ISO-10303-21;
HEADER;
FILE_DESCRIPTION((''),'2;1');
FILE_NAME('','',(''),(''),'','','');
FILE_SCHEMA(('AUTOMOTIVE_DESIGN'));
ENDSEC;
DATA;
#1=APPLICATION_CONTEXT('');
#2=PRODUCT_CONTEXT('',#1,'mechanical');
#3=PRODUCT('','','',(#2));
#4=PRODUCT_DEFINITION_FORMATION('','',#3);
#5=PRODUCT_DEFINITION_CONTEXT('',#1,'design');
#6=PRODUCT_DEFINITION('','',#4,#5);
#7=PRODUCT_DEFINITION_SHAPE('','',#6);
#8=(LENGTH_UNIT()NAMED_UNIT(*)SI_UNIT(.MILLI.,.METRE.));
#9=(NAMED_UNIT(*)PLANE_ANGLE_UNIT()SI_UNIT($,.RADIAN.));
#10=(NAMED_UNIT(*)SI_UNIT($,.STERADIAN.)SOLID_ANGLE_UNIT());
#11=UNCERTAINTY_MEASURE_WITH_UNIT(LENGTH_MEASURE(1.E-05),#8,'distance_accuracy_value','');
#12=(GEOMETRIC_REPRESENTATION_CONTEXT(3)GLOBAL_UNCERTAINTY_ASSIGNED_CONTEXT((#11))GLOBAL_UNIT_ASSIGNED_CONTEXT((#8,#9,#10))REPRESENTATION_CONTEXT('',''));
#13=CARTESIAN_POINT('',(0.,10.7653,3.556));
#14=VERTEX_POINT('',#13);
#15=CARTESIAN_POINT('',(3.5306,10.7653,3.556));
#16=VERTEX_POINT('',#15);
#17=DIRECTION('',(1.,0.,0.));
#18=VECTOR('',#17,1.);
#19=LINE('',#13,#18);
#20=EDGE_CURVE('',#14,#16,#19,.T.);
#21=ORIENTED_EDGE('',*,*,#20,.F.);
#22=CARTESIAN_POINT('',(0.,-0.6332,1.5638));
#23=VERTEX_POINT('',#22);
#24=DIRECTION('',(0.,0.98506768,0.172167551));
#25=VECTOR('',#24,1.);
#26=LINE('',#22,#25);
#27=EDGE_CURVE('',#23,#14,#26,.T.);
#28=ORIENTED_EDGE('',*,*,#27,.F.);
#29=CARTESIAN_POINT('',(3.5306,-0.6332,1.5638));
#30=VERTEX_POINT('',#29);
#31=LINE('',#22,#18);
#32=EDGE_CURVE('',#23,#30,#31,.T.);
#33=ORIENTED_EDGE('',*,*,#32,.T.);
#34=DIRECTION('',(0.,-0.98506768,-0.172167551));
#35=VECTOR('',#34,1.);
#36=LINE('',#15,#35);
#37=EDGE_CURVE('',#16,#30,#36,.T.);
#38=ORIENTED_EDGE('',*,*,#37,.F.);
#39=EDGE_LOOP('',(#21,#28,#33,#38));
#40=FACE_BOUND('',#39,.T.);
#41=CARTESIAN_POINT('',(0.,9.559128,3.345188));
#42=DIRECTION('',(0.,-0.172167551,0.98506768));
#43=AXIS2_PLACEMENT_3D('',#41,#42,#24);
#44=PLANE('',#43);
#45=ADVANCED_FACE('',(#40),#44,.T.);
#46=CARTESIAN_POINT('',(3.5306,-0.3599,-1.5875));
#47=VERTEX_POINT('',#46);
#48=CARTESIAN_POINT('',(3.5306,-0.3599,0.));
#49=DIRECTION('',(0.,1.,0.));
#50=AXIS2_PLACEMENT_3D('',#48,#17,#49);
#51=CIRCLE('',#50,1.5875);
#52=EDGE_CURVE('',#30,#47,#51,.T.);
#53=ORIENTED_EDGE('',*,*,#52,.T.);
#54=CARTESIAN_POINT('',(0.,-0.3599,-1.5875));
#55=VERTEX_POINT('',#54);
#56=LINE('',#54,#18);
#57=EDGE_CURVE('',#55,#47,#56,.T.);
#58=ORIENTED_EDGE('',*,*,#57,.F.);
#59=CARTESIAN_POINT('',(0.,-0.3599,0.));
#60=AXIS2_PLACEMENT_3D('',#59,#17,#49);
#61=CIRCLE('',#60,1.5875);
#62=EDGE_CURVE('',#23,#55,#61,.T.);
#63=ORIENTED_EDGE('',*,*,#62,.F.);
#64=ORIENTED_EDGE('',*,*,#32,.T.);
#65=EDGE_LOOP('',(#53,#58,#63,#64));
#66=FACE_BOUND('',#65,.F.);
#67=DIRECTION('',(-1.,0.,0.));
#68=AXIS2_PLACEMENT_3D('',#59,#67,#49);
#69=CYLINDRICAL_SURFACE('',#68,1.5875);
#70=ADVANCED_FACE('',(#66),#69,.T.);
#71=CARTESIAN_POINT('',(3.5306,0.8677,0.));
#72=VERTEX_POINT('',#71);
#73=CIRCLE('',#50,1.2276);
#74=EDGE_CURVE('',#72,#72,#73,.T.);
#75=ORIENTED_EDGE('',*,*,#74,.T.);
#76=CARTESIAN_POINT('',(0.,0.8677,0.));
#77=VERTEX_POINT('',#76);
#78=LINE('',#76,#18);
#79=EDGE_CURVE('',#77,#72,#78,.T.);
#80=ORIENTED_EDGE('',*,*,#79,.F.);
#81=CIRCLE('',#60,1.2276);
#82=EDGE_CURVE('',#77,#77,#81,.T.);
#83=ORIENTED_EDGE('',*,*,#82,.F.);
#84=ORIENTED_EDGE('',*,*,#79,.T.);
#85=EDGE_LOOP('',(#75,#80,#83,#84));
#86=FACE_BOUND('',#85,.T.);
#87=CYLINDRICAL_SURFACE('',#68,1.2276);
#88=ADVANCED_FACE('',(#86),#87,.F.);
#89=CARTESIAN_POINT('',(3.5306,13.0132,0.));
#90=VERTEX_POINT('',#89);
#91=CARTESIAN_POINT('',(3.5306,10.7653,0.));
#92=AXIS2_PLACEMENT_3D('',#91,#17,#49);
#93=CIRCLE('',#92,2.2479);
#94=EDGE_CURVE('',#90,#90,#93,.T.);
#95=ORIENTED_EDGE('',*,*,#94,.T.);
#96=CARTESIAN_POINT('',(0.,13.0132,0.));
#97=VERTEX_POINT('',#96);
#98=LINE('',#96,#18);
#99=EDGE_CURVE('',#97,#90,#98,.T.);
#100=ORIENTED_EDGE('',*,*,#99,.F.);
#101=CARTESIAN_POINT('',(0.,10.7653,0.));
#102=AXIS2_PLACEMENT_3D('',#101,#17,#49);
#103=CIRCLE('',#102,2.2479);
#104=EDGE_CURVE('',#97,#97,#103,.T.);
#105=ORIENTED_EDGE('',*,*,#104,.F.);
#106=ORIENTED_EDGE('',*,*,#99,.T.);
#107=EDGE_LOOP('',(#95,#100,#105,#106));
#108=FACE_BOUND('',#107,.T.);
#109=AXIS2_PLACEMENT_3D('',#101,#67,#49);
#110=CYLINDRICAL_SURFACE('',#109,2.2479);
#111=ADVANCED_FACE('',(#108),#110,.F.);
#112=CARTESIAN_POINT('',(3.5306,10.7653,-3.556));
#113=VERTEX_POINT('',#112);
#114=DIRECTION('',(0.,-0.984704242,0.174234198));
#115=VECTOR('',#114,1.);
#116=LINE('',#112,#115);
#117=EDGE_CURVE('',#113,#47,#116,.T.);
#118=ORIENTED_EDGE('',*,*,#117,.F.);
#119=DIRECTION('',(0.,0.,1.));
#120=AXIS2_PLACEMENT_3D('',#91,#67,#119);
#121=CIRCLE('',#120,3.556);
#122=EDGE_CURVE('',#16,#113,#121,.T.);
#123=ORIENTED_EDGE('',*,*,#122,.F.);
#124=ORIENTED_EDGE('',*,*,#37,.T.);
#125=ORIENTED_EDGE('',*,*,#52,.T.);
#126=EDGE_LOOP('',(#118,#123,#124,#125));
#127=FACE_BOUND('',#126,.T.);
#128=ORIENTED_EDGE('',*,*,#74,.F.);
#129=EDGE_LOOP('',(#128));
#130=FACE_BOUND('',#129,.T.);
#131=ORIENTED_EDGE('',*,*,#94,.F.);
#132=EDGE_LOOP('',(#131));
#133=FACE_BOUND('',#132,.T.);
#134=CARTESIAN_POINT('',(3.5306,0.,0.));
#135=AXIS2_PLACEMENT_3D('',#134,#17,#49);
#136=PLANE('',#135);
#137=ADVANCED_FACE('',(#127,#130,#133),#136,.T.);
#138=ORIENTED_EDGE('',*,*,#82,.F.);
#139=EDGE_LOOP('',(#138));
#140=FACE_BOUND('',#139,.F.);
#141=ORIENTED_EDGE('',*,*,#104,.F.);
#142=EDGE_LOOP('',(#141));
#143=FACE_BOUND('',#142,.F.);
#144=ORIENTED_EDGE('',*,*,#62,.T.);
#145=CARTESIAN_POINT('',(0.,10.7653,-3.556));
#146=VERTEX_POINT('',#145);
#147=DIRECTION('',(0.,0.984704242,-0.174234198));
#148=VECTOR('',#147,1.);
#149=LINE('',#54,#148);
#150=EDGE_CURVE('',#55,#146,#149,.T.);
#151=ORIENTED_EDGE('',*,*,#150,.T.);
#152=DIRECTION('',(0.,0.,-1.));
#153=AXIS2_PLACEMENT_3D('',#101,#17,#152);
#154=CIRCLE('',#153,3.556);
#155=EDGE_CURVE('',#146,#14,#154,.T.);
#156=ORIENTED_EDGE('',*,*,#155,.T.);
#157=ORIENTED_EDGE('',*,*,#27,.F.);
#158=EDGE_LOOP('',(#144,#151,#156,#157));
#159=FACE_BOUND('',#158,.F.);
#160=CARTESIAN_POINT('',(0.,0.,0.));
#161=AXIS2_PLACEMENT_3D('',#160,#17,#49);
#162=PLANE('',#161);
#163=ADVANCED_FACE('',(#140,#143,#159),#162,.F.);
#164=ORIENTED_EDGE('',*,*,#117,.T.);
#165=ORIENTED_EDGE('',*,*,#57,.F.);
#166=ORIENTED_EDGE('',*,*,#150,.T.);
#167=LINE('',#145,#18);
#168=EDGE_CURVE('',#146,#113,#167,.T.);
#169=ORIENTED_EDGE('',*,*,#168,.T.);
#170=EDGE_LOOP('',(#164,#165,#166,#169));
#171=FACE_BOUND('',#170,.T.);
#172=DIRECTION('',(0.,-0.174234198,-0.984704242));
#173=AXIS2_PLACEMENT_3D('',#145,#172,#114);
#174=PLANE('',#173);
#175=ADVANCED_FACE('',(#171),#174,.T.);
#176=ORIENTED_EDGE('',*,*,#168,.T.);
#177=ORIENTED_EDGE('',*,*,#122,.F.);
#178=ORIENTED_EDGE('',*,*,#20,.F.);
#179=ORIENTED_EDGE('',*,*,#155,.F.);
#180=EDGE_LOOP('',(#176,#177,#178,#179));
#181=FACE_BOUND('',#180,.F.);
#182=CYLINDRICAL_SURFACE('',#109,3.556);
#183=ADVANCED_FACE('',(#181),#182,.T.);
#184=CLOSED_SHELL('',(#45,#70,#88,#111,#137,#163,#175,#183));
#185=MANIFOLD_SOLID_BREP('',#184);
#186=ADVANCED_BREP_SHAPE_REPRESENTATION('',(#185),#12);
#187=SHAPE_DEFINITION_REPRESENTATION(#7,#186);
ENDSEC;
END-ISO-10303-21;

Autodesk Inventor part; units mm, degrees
ref_plane "YZ Plane" through (0, 0, 0) normal (1, 0, 0) x (0, 1, 0)
ref_plane "XZ Plane" through (0, 0, 0) normal (0, 1, 0) x (-1, 0, 0)
ref_plane "XY Plane" through (0, 0, 0) normal (0, 0, 1) x (1, 0, 0)
sketch "Sketch1" plane through (0, 0, 0) normal (1, 0, 0) x (0, 1, 0)
  circle A0 centre (10.7653, 0) radius 3.556
  circle A1 centre (10.7653, 0) radius 2.2479
  circle A2 centre (-0.3599, 0) radius 1.5875
  line L0 (10.7653, -3.556) -> (-0.3599, -1.5875)
  line L1 (-0.6332, 1.5638) -> (10.7653, 3.556)
  circle A3 centre (-0.3599, 0) radius 1.2276
  point P0 (0, 0)
  dimension "d0" = 7.112
  dimension "d1" = 4.4958
  dimension "d3" = 3.175
extrude "Extrusion1" add sketch "Sketch1" along normal blind 3.5306 contours A0 L0 L1 | A0 L0 A2 L1 | A2
properties part number "SLIDER CRANK-FIRST REVOLUTER"
